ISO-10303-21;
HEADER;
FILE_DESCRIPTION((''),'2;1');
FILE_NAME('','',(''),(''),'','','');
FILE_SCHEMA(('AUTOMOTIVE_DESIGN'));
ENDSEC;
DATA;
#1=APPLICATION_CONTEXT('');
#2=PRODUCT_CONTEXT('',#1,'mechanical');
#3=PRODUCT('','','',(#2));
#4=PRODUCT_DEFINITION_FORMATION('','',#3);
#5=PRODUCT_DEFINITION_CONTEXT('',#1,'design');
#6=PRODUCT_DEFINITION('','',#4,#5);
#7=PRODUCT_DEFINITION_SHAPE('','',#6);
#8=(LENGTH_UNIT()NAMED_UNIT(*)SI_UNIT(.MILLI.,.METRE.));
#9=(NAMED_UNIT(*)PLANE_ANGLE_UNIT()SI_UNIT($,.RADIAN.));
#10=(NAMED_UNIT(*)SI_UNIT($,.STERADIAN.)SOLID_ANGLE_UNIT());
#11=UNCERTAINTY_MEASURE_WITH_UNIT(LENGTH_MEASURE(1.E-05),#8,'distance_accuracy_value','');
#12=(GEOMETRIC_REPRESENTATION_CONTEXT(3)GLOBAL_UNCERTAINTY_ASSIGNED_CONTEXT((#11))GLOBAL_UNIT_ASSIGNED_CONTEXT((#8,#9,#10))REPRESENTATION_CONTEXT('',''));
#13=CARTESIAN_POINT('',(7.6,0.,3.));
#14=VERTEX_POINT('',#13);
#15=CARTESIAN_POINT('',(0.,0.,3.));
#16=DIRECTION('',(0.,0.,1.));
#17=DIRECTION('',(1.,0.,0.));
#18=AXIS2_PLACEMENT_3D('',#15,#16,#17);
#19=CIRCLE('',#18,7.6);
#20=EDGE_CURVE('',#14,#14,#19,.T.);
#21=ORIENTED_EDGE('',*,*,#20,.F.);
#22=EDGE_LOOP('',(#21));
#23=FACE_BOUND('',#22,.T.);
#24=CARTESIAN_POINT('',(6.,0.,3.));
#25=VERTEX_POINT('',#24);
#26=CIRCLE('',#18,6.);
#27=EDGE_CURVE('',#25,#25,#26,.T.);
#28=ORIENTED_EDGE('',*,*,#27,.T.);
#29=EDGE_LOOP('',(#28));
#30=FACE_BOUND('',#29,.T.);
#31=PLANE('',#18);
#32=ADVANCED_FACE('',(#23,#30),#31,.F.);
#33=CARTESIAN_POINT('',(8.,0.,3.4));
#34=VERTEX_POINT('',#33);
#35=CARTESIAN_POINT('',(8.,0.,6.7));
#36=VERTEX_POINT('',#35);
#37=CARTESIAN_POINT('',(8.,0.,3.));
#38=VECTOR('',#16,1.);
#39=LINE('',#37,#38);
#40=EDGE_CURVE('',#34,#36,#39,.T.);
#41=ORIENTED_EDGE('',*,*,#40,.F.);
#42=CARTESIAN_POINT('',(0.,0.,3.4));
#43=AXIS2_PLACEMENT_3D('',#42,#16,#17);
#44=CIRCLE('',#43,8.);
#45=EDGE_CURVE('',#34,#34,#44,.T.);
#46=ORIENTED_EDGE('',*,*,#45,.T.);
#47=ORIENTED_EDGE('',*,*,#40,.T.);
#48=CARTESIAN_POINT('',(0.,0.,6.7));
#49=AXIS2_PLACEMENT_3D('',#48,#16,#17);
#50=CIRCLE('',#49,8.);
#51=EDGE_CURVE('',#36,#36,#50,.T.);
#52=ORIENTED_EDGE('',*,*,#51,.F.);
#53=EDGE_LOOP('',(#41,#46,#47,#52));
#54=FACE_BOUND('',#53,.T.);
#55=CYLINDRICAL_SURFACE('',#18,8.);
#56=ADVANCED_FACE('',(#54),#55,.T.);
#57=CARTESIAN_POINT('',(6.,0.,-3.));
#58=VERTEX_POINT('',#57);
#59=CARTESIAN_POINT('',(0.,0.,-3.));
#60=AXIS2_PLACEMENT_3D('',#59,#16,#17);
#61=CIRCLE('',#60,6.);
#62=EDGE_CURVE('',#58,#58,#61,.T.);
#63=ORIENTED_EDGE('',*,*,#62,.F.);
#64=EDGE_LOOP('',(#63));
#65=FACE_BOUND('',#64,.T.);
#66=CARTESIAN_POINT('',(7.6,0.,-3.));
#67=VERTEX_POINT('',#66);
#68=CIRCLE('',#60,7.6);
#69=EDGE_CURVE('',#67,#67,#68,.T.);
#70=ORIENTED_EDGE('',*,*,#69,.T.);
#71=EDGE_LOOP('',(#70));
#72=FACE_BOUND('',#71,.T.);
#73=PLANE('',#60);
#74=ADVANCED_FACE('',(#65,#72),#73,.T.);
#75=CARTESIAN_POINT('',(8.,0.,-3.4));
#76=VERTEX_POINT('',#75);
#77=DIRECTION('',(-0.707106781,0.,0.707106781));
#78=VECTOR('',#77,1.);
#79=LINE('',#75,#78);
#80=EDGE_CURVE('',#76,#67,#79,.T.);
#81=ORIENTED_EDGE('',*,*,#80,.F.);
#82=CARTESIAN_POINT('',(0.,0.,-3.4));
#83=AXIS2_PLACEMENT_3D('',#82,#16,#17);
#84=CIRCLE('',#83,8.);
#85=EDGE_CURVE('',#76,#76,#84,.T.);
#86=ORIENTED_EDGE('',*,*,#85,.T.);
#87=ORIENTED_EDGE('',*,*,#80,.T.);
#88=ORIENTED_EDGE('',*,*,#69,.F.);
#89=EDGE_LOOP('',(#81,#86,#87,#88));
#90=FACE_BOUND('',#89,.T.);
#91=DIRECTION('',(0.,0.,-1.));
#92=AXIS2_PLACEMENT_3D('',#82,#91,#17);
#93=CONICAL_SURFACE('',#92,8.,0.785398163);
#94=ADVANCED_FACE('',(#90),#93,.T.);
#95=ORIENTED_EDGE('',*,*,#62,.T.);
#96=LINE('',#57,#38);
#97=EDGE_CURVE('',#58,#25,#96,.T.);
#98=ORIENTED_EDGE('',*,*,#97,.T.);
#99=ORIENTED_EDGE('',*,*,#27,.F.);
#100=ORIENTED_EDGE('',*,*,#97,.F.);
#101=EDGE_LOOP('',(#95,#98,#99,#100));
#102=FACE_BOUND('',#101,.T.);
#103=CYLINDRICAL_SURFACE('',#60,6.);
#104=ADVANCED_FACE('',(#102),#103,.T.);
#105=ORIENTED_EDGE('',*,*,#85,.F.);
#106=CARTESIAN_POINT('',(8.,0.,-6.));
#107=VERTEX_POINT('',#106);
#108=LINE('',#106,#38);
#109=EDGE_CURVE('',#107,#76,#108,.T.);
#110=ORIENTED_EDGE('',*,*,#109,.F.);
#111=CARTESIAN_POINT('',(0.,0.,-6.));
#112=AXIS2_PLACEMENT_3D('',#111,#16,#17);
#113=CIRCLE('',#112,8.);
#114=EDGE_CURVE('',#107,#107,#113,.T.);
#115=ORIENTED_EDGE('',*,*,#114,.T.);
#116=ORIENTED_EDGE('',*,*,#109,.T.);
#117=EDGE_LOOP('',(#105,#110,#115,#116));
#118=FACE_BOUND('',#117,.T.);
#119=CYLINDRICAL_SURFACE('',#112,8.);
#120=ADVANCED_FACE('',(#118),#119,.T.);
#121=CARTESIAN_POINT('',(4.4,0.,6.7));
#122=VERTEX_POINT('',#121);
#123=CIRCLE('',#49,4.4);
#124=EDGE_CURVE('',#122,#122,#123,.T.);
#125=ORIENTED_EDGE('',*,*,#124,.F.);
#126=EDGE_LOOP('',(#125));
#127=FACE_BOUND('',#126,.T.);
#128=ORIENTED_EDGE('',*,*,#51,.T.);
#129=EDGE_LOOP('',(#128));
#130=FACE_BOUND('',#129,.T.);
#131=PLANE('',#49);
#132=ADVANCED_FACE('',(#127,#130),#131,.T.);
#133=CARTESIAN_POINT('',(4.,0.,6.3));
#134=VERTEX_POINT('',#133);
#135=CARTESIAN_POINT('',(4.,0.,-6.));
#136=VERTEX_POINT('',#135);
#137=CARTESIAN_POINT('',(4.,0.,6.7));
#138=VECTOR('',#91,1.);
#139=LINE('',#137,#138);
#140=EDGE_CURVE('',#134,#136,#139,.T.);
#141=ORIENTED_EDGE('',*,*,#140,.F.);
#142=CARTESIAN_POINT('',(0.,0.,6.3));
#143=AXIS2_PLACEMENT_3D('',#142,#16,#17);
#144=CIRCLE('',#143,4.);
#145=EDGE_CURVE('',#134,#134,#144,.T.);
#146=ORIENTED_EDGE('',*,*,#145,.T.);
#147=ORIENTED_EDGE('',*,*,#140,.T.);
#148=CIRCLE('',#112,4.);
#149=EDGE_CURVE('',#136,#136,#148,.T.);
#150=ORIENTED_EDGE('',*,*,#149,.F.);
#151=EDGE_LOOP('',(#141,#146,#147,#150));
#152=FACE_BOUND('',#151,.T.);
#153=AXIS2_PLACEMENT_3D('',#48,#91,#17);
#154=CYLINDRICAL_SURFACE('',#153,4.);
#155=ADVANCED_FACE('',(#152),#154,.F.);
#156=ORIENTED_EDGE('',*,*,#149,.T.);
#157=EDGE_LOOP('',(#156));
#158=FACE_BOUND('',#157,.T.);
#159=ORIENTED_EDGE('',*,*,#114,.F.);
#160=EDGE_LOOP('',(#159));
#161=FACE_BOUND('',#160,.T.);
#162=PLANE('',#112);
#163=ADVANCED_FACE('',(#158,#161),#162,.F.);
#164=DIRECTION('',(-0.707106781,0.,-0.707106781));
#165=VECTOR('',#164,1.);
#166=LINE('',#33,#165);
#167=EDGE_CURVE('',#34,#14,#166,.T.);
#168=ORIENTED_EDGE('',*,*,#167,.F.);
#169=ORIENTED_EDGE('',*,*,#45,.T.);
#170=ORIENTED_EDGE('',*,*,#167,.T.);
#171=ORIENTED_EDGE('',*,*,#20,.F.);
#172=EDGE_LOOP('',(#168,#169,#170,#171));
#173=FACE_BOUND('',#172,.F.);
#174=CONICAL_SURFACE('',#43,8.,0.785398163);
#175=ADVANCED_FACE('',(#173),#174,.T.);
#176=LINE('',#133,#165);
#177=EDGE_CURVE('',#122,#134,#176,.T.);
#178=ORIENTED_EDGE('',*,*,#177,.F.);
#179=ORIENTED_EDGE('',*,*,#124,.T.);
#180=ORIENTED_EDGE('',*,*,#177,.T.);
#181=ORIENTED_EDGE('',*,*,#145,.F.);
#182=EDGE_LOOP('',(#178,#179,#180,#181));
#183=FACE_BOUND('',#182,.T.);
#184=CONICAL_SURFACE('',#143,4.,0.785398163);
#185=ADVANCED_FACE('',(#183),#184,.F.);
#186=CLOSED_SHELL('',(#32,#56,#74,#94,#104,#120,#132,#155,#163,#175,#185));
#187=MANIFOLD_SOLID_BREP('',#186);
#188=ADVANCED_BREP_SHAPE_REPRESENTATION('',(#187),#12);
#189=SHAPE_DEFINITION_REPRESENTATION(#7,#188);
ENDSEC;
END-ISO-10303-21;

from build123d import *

# Parameters (mm, degrees)
F2_SIZE = 0.4


with BuildPart() as f1:
    # F0 (on Front) → F1 (revolve)
    with BuildSketch(Plane.XZ):
        Polygon((8, 3), (8, 6.7), (4, 6.7), (4, -6), (8, -6), (8, -3), (6, -3), (6, 3), align=None)
    revolve(axis=Axis((0, 0, 0), (0, 0, 1)))

    # F2
    f2_edges = [f1.edges().sort_by_distance(p)[0] for p in [
        (-8, 0, 3),
        (-8, 0, -3),
        (-4, 0, 6.7),
    ]]
    chamfer(f2_edges, length=F2_SIZE)


solid = f1.part
